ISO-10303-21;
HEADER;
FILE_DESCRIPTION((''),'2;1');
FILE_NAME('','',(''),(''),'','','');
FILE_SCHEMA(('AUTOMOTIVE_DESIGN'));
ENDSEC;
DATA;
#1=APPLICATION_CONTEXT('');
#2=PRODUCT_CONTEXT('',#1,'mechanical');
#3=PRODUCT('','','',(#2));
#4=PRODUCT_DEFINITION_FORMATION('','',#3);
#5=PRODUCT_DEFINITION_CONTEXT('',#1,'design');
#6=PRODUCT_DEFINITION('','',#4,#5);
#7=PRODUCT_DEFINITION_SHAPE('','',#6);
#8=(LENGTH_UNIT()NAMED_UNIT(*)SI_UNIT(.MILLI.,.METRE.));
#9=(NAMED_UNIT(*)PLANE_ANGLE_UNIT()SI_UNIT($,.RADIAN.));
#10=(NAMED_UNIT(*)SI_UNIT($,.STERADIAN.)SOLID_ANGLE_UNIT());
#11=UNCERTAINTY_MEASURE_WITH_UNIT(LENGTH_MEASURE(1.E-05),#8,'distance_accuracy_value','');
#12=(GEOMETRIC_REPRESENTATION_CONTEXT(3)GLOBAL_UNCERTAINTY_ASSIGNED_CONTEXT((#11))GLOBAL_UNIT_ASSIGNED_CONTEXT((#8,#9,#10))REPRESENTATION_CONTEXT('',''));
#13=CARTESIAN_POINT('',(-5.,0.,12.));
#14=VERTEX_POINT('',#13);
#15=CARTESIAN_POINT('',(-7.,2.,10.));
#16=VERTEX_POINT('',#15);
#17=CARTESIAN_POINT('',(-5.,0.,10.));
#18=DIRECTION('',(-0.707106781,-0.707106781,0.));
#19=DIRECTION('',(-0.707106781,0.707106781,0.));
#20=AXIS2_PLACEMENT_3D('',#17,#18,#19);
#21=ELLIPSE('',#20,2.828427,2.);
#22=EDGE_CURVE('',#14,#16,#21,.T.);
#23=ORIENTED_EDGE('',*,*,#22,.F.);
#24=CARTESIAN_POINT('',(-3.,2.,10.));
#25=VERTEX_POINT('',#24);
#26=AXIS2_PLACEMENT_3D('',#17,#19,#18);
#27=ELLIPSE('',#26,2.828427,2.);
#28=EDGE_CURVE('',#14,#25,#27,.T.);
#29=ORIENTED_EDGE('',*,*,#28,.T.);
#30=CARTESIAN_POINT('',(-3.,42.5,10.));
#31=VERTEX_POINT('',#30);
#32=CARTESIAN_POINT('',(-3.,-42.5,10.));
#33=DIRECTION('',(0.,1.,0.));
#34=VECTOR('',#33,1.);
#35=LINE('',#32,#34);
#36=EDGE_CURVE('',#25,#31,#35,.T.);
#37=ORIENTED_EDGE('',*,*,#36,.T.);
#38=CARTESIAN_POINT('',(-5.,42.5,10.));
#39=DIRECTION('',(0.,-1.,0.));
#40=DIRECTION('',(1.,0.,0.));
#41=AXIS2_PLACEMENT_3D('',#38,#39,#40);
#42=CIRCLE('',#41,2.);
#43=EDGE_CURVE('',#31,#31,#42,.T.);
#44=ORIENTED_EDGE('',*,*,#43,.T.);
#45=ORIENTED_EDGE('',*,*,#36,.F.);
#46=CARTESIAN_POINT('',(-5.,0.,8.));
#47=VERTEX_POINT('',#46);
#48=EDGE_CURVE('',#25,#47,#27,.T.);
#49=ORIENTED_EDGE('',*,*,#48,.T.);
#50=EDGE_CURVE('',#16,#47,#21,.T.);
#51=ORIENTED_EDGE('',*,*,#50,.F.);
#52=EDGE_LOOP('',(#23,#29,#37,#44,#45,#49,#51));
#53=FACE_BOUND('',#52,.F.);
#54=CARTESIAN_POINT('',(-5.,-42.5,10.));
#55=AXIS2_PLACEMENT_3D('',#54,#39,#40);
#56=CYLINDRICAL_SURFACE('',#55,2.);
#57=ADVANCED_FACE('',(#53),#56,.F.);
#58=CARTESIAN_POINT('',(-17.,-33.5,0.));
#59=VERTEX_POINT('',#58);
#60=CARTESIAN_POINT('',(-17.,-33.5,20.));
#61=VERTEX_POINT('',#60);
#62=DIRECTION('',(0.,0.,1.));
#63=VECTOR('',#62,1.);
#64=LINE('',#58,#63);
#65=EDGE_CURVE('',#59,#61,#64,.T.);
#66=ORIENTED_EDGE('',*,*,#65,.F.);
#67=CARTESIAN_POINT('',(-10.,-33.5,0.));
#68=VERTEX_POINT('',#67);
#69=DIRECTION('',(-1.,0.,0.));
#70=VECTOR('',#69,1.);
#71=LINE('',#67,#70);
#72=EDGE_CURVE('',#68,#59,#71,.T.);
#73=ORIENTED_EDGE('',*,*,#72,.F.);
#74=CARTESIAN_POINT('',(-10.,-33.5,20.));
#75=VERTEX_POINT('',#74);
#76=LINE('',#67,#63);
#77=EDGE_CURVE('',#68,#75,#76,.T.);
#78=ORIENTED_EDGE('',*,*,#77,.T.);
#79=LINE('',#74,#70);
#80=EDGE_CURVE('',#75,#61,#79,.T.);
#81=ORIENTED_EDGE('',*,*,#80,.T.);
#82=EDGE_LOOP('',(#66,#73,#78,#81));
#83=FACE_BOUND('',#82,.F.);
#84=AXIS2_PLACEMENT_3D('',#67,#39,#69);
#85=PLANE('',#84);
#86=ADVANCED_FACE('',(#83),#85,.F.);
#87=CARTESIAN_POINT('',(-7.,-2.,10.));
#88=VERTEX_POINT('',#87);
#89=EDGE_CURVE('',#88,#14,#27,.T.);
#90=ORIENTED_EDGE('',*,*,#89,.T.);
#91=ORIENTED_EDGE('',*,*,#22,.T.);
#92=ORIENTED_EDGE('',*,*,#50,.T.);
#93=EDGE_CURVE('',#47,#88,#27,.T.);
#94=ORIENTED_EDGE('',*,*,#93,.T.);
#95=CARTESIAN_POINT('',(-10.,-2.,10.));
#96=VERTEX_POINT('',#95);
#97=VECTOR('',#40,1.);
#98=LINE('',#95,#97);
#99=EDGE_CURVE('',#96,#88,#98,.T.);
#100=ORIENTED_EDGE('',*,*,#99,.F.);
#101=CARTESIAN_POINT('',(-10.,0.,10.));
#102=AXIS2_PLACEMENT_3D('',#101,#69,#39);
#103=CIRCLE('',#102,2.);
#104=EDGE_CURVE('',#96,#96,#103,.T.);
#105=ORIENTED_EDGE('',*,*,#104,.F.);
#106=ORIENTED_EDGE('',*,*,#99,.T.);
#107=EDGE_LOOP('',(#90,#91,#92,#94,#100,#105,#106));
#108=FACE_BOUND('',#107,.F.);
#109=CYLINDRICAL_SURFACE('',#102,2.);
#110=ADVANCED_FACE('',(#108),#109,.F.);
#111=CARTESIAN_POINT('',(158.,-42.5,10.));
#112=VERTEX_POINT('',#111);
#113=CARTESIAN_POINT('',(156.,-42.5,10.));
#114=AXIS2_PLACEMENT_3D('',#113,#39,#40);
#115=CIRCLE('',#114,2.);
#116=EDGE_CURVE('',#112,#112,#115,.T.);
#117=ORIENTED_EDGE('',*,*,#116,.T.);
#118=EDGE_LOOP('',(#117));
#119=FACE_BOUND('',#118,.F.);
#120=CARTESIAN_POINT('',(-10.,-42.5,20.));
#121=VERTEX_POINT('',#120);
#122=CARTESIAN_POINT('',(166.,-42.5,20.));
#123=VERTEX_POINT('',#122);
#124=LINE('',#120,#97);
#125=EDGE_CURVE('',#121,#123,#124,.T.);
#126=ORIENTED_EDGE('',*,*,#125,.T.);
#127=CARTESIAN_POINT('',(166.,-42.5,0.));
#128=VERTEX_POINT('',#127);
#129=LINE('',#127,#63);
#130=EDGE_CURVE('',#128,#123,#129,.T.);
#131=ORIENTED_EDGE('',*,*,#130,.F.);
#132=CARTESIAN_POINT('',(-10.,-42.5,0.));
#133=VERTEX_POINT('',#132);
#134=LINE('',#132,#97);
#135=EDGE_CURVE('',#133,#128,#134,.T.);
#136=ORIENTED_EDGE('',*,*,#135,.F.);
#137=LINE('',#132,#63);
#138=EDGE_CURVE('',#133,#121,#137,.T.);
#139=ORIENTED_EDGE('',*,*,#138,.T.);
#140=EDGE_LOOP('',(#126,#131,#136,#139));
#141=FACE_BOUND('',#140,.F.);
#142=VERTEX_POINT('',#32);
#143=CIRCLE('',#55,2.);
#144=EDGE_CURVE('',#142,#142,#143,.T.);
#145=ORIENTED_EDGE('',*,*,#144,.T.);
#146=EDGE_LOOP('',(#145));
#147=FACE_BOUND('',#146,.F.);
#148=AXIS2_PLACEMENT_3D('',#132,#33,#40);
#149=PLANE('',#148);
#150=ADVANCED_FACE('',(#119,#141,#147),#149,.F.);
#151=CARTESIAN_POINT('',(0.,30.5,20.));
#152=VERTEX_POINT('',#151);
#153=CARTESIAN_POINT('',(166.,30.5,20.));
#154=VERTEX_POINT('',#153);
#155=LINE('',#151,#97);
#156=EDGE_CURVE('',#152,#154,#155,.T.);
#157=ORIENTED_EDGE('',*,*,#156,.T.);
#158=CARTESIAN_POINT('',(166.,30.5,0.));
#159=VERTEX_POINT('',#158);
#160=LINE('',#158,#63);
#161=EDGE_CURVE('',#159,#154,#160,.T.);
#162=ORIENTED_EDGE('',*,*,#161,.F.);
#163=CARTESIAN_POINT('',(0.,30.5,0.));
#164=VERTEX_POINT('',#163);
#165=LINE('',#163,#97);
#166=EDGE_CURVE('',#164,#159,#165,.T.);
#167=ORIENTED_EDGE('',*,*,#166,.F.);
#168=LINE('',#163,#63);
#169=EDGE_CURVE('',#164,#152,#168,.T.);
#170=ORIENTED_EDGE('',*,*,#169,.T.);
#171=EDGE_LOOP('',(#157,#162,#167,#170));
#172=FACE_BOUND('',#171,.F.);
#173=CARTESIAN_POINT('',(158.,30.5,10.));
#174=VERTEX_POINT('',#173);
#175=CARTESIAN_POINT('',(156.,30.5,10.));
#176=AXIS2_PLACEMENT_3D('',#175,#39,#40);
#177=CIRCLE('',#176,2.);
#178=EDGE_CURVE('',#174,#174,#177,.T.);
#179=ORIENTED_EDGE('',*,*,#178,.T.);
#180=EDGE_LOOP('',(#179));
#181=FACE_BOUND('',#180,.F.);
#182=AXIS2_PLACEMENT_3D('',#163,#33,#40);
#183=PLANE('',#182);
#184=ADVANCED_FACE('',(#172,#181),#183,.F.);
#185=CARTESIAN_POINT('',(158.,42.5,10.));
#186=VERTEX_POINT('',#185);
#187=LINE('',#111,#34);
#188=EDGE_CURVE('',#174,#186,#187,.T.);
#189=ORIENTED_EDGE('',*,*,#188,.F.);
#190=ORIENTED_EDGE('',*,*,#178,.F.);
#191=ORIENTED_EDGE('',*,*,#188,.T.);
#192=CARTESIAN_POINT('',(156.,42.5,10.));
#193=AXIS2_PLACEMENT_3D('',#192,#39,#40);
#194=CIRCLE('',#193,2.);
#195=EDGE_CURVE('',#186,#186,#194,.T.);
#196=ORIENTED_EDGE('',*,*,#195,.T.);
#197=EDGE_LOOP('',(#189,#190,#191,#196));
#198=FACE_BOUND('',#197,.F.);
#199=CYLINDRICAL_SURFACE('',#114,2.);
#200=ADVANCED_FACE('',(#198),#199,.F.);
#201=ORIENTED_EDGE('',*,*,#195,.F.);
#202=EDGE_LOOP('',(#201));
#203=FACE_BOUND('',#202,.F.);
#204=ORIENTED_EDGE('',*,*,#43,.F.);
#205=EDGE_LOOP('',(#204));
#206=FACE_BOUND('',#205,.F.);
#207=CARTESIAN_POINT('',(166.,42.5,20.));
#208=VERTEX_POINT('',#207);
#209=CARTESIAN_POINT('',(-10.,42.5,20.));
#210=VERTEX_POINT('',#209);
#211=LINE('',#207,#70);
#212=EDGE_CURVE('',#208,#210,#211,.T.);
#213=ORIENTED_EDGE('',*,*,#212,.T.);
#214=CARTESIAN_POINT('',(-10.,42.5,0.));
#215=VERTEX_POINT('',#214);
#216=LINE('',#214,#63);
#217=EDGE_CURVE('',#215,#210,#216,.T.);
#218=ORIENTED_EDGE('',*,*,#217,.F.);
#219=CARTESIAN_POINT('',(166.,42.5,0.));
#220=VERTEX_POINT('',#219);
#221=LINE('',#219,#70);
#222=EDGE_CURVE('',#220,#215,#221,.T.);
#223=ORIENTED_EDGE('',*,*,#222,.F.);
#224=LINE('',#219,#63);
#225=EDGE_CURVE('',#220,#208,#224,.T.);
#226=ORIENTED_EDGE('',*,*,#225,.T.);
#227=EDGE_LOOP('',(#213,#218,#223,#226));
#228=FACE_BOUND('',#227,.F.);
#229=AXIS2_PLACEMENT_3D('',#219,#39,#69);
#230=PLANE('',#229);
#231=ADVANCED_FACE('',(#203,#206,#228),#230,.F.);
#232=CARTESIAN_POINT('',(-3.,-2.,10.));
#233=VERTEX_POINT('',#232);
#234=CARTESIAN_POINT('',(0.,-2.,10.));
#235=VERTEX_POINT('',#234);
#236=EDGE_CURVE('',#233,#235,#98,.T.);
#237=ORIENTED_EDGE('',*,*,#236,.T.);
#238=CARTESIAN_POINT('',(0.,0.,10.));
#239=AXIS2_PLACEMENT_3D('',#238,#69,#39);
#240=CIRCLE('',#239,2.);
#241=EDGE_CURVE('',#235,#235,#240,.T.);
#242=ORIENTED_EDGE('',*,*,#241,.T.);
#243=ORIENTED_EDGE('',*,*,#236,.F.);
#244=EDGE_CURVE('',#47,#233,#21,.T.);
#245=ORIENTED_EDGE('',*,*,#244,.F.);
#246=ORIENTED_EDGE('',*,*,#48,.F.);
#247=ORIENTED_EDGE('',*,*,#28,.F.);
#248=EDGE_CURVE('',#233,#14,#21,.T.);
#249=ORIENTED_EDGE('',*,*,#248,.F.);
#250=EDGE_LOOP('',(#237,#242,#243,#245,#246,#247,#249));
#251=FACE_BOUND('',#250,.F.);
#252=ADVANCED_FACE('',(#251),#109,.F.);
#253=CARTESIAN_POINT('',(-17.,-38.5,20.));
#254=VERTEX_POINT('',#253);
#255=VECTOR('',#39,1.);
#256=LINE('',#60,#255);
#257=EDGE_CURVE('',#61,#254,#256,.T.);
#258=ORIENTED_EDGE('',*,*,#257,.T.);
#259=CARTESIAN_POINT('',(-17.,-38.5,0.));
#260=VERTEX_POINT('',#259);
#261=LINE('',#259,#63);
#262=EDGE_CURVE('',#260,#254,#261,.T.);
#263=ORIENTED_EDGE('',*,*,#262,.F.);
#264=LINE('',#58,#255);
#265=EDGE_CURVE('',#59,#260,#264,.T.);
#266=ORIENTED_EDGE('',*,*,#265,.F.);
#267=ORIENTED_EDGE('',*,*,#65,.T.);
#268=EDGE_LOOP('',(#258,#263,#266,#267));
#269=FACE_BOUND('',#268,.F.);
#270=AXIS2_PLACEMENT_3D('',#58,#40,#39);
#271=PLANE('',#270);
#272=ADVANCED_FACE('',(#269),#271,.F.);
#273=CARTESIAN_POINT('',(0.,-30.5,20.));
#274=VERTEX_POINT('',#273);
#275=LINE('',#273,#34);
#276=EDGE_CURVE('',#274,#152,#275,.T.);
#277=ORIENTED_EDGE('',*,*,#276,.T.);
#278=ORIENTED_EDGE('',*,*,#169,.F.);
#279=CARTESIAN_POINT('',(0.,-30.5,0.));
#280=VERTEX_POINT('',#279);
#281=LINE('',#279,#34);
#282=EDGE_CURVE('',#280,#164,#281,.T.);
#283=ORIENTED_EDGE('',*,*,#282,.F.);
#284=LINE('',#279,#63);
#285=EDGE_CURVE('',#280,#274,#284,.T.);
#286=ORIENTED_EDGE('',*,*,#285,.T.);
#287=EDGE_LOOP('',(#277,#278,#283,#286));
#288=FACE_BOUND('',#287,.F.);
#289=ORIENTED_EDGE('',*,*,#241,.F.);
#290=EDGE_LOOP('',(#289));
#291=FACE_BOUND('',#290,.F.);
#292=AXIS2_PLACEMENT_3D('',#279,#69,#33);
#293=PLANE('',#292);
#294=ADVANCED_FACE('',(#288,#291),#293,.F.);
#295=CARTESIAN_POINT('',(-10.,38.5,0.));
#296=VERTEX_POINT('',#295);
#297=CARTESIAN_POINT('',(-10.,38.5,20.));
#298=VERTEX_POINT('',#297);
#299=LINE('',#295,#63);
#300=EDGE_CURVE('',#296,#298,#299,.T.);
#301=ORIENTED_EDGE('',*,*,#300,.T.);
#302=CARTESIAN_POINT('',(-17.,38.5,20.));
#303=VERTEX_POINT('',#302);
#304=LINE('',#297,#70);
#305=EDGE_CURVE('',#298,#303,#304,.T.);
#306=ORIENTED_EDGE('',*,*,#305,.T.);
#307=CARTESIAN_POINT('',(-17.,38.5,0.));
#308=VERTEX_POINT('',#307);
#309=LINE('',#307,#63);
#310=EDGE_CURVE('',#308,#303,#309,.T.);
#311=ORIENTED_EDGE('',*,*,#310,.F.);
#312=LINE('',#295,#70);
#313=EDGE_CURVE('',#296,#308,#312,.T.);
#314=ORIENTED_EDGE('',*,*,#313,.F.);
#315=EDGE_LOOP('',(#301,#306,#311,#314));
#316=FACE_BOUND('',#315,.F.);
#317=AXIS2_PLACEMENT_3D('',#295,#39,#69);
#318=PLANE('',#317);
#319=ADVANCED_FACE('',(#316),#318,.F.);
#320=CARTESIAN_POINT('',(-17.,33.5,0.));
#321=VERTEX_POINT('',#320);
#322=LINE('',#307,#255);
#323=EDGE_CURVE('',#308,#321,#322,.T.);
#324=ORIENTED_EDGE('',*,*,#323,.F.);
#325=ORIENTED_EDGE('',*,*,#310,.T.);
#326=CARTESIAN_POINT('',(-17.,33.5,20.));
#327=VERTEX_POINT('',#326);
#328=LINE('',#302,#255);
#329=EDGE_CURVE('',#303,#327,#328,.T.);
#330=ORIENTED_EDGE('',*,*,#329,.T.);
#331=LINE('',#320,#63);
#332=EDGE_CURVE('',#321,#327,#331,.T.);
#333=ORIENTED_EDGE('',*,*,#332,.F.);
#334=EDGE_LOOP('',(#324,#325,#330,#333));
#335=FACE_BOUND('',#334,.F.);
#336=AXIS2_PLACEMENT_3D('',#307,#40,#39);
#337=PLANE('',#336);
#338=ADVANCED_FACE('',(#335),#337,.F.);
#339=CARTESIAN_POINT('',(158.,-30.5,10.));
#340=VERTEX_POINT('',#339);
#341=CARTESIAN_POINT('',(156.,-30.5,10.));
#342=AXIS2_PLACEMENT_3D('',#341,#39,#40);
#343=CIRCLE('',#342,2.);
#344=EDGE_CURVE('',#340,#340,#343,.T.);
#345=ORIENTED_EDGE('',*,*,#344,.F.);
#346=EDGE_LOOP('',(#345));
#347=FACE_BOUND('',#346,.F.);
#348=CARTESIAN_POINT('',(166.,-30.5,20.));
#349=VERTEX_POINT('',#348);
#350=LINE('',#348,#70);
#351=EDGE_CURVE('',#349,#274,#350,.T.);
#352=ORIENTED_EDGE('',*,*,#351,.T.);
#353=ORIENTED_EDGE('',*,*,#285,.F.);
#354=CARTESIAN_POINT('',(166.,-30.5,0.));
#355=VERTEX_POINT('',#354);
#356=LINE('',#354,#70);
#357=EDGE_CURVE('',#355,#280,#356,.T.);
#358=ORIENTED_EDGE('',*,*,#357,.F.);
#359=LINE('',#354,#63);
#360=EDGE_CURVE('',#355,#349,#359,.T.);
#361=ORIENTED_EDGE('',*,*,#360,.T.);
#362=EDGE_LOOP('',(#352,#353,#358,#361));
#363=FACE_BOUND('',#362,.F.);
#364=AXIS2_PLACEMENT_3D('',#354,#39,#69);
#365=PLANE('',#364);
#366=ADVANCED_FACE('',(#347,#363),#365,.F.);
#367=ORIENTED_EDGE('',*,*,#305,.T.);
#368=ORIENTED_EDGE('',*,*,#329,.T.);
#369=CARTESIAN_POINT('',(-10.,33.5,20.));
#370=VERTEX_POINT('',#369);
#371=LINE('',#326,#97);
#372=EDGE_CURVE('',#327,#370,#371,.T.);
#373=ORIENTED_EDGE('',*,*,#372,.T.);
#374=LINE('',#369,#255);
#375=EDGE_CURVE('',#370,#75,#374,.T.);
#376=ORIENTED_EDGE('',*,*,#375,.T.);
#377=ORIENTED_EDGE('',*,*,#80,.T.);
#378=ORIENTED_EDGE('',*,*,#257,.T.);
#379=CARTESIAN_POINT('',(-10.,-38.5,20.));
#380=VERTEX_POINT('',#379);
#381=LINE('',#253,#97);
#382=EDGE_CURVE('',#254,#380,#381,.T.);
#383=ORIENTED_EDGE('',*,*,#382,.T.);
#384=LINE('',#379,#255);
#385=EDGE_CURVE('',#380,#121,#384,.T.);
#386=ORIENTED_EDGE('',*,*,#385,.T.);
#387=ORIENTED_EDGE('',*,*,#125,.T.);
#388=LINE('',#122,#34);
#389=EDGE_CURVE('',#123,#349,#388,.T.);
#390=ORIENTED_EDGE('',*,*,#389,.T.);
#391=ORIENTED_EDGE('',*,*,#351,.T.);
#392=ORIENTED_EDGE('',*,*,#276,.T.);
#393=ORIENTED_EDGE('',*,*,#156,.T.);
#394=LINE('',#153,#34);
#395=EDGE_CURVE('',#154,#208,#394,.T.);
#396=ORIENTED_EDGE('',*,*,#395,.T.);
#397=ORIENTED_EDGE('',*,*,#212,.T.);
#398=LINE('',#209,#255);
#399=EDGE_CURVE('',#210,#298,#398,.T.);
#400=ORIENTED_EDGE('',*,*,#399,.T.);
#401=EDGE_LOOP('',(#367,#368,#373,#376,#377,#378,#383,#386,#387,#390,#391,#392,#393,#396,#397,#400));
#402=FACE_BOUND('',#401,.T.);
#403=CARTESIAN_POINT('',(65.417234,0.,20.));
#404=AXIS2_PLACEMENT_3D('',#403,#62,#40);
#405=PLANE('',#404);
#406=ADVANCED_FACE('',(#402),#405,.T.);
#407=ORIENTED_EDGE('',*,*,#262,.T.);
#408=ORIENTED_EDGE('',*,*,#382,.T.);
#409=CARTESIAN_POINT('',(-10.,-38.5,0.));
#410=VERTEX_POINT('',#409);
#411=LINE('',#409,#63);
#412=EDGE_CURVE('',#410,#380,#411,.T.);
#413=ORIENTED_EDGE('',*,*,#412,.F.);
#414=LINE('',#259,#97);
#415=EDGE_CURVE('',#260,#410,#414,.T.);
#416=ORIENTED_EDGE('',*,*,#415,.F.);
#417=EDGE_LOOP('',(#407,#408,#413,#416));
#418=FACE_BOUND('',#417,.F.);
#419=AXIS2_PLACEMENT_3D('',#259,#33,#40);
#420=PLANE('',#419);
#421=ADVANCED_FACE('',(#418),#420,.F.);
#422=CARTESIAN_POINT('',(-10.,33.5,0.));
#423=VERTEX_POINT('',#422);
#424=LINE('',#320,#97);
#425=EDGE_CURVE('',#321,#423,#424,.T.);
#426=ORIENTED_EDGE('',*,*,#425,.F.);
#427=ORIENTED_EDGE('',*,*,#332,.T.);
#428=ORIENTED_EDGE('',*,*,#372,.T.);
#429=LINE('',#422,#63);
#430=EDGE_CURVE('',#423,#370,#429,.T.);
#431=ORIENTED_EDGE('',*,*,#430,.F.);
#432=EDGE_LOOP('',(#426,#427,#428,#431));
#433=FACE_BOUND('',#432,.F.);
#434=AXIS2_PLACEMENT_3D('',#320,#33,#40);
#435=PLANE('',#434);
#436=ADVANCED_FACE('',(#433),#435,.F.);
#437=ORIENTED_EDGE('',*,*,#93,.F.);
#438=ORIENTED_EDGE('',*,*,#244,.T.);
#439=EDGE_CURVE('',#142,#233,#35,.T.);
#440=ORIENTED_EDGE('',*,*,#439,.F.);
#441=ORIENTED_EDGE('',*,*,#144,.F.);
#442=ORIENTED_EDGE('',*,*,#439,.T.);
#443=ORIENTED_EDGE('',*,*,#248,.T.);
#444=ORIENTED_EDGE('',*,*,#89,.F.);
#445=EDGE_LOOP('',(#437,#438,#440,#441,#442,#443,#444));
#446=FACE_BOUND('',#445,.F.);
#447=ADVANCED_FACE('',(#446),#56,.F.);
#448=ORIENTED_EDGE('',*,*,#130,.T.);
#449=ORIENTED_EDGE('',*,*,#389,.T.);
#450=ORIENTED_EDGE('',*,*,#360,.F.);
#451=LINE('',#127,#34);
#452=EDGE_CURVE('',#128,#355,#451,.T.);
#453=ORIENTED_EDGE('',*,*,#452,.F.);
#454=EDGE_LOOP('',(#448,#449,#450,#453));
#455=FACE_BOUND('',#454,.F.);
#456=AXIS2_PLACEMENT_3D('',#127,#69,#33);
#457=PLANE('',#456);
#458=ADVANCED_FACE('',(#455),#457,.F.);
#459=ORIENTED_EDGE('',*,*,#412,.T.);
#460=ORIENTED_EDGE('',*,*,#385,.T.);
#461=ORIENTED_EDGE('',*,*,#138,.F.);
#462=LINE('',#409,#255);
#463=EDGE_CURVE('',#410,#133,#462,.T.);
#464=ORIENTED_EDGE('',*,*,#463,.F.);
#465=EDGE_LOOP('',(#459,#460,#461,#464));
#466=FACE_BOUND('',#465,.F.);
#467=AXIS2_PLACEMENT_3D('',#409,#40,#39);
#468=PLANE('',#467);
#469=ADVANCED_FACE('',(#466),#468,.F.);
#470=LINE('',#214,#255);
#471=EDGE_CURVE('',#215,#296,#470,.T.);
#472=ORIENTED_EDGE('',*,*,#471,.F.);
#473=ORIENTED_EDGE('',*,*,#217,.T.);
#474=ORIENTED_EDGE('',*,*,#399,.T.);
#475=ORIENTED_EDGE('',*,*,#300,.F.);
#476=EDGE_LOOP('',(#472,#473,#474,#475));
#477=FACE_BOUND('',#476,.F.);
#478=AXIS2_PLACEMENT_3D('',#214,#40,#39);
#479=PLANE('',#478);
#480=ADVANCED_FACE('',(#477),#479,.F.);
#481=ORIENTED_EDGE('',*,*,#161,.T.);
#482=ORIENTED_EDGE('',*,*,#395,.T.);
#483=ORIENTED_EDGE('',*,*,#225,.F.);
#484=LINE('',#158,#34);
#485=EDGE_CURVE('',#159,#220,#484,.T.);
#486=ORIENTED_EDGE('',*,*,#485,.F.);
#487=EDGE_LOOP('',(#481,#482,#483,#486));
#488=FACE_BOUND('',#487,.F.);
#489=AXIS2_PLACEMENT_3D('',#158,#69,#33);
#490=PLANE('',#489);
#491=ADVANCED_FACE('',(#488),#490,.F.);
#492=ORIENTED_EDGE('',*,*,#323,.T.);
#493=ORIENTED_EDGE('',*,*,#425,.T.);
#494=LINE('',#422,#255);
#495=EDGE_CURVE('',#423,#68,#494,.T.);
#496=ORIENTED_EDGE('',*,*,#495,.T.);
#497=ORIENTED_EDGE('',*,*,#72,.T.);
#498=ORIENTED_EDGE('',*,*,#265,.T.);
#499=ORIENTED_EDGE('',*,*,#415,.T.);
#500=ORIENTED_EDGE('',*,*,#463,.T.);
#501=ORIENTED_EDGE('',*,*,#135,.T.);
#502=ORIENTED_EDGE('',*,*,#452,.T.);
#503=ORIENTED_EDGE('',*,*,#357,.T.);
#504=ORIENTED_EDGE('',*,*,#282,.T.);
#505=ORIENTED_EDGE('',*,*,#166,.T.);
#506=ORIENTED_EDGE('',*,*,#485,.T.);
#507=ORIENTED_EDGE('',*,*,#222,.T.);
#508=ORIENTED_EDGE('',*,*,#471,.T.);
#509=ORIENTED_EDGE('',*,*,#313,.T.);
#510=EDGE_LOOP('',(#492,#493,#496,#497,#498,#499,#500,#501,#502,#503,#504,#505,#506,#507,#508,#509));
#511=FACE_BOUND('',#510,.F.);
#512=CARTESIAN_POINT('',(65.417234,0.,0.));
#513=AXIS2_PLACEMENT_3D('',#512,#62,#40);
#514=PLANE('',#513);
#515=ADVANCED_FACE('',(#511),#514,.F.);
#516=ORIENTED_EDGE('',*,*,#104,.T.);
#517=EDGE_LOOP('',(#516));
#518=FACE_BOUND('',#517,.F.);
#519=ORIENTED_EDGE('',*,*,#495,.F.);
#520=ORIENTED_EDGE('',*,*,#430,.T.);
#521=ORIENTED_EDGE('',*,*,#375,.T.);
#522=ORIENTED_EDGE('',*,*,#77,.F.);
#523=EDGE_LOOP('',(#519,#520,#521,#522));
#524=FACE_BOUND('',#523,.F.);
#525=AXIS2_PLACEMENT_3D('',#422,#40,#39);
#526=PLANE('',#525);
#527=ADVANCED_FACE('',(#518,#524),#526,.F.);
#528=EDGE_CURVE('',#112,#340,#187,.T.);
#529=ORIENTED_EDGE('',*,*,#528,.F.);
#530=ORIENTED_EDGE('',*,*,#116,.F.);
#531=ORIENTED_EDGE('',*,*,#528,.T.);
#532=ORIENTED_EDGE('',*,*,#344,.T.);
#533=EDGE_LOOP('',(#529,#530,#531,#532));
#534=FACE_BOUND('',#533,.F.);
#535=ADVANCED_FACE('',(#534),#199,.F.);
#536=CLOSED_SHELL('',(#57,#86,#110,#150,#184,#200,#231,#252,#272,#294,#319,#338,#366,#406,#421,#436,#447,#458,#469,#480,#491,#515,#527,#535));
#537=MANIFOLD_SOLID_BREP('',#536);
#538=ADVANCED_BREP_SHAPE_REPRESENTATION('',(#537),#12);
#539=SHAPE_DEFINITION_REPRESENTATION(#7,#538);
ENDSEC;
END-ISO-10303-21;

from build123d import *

# Parameters (mm, degrees)
PAD_DEPTH       = 20
SKETCH004_R     = 2
POCKET002_DEPTH = 176.001
SKETCH005_R     = 2
POCKET003_DEPTH = 85.001


with BuildPart() as part:
    # Sketch → Pad (new body)
    with BuildSketch(Plane.XY):
        Polygon((-10, -42.5), (166, -42.5), (166, -30.5), (0, -30.5), (0, 30.5), (166, 30.5), (166, 42.5), (-10, 42.5), (-10, 38.5), (-17, 38.5), (-17, 33.5), (-10, 33.5), (-10, -33.5), (-17, -33.5), (-17, -38.5), (-10, -38.5), align=None)
    extrude(amount=PAD_DEPTH)

    # Sketch004 → Pocket002 (cut, through all)
    with BuildSketch(Plane(origin=(-10, 0, 0), x_dir=(0, -1, 0), z_dir=(-1, 0, 0))):
        with Locations((0, 10)):
            Circle(SKETCH004_R)
    extrude(amount=-POCKET002_DEPTH, mode=Mode.SUBTRACT)

    # Sketch005 → Pocket003 (cut, through all)
    with BuildSketch(Plane.XZ.offset(42.5)):
        with Locations((-5, 10)):
            Circle(SKETCH005_R)
        with Locations((156, 10)):
            Circle(SKETCH005_R)
    extrude(amount=-POCKET003_DEPTH, mode=Mode.SUBTRACT)


solid = part.part
